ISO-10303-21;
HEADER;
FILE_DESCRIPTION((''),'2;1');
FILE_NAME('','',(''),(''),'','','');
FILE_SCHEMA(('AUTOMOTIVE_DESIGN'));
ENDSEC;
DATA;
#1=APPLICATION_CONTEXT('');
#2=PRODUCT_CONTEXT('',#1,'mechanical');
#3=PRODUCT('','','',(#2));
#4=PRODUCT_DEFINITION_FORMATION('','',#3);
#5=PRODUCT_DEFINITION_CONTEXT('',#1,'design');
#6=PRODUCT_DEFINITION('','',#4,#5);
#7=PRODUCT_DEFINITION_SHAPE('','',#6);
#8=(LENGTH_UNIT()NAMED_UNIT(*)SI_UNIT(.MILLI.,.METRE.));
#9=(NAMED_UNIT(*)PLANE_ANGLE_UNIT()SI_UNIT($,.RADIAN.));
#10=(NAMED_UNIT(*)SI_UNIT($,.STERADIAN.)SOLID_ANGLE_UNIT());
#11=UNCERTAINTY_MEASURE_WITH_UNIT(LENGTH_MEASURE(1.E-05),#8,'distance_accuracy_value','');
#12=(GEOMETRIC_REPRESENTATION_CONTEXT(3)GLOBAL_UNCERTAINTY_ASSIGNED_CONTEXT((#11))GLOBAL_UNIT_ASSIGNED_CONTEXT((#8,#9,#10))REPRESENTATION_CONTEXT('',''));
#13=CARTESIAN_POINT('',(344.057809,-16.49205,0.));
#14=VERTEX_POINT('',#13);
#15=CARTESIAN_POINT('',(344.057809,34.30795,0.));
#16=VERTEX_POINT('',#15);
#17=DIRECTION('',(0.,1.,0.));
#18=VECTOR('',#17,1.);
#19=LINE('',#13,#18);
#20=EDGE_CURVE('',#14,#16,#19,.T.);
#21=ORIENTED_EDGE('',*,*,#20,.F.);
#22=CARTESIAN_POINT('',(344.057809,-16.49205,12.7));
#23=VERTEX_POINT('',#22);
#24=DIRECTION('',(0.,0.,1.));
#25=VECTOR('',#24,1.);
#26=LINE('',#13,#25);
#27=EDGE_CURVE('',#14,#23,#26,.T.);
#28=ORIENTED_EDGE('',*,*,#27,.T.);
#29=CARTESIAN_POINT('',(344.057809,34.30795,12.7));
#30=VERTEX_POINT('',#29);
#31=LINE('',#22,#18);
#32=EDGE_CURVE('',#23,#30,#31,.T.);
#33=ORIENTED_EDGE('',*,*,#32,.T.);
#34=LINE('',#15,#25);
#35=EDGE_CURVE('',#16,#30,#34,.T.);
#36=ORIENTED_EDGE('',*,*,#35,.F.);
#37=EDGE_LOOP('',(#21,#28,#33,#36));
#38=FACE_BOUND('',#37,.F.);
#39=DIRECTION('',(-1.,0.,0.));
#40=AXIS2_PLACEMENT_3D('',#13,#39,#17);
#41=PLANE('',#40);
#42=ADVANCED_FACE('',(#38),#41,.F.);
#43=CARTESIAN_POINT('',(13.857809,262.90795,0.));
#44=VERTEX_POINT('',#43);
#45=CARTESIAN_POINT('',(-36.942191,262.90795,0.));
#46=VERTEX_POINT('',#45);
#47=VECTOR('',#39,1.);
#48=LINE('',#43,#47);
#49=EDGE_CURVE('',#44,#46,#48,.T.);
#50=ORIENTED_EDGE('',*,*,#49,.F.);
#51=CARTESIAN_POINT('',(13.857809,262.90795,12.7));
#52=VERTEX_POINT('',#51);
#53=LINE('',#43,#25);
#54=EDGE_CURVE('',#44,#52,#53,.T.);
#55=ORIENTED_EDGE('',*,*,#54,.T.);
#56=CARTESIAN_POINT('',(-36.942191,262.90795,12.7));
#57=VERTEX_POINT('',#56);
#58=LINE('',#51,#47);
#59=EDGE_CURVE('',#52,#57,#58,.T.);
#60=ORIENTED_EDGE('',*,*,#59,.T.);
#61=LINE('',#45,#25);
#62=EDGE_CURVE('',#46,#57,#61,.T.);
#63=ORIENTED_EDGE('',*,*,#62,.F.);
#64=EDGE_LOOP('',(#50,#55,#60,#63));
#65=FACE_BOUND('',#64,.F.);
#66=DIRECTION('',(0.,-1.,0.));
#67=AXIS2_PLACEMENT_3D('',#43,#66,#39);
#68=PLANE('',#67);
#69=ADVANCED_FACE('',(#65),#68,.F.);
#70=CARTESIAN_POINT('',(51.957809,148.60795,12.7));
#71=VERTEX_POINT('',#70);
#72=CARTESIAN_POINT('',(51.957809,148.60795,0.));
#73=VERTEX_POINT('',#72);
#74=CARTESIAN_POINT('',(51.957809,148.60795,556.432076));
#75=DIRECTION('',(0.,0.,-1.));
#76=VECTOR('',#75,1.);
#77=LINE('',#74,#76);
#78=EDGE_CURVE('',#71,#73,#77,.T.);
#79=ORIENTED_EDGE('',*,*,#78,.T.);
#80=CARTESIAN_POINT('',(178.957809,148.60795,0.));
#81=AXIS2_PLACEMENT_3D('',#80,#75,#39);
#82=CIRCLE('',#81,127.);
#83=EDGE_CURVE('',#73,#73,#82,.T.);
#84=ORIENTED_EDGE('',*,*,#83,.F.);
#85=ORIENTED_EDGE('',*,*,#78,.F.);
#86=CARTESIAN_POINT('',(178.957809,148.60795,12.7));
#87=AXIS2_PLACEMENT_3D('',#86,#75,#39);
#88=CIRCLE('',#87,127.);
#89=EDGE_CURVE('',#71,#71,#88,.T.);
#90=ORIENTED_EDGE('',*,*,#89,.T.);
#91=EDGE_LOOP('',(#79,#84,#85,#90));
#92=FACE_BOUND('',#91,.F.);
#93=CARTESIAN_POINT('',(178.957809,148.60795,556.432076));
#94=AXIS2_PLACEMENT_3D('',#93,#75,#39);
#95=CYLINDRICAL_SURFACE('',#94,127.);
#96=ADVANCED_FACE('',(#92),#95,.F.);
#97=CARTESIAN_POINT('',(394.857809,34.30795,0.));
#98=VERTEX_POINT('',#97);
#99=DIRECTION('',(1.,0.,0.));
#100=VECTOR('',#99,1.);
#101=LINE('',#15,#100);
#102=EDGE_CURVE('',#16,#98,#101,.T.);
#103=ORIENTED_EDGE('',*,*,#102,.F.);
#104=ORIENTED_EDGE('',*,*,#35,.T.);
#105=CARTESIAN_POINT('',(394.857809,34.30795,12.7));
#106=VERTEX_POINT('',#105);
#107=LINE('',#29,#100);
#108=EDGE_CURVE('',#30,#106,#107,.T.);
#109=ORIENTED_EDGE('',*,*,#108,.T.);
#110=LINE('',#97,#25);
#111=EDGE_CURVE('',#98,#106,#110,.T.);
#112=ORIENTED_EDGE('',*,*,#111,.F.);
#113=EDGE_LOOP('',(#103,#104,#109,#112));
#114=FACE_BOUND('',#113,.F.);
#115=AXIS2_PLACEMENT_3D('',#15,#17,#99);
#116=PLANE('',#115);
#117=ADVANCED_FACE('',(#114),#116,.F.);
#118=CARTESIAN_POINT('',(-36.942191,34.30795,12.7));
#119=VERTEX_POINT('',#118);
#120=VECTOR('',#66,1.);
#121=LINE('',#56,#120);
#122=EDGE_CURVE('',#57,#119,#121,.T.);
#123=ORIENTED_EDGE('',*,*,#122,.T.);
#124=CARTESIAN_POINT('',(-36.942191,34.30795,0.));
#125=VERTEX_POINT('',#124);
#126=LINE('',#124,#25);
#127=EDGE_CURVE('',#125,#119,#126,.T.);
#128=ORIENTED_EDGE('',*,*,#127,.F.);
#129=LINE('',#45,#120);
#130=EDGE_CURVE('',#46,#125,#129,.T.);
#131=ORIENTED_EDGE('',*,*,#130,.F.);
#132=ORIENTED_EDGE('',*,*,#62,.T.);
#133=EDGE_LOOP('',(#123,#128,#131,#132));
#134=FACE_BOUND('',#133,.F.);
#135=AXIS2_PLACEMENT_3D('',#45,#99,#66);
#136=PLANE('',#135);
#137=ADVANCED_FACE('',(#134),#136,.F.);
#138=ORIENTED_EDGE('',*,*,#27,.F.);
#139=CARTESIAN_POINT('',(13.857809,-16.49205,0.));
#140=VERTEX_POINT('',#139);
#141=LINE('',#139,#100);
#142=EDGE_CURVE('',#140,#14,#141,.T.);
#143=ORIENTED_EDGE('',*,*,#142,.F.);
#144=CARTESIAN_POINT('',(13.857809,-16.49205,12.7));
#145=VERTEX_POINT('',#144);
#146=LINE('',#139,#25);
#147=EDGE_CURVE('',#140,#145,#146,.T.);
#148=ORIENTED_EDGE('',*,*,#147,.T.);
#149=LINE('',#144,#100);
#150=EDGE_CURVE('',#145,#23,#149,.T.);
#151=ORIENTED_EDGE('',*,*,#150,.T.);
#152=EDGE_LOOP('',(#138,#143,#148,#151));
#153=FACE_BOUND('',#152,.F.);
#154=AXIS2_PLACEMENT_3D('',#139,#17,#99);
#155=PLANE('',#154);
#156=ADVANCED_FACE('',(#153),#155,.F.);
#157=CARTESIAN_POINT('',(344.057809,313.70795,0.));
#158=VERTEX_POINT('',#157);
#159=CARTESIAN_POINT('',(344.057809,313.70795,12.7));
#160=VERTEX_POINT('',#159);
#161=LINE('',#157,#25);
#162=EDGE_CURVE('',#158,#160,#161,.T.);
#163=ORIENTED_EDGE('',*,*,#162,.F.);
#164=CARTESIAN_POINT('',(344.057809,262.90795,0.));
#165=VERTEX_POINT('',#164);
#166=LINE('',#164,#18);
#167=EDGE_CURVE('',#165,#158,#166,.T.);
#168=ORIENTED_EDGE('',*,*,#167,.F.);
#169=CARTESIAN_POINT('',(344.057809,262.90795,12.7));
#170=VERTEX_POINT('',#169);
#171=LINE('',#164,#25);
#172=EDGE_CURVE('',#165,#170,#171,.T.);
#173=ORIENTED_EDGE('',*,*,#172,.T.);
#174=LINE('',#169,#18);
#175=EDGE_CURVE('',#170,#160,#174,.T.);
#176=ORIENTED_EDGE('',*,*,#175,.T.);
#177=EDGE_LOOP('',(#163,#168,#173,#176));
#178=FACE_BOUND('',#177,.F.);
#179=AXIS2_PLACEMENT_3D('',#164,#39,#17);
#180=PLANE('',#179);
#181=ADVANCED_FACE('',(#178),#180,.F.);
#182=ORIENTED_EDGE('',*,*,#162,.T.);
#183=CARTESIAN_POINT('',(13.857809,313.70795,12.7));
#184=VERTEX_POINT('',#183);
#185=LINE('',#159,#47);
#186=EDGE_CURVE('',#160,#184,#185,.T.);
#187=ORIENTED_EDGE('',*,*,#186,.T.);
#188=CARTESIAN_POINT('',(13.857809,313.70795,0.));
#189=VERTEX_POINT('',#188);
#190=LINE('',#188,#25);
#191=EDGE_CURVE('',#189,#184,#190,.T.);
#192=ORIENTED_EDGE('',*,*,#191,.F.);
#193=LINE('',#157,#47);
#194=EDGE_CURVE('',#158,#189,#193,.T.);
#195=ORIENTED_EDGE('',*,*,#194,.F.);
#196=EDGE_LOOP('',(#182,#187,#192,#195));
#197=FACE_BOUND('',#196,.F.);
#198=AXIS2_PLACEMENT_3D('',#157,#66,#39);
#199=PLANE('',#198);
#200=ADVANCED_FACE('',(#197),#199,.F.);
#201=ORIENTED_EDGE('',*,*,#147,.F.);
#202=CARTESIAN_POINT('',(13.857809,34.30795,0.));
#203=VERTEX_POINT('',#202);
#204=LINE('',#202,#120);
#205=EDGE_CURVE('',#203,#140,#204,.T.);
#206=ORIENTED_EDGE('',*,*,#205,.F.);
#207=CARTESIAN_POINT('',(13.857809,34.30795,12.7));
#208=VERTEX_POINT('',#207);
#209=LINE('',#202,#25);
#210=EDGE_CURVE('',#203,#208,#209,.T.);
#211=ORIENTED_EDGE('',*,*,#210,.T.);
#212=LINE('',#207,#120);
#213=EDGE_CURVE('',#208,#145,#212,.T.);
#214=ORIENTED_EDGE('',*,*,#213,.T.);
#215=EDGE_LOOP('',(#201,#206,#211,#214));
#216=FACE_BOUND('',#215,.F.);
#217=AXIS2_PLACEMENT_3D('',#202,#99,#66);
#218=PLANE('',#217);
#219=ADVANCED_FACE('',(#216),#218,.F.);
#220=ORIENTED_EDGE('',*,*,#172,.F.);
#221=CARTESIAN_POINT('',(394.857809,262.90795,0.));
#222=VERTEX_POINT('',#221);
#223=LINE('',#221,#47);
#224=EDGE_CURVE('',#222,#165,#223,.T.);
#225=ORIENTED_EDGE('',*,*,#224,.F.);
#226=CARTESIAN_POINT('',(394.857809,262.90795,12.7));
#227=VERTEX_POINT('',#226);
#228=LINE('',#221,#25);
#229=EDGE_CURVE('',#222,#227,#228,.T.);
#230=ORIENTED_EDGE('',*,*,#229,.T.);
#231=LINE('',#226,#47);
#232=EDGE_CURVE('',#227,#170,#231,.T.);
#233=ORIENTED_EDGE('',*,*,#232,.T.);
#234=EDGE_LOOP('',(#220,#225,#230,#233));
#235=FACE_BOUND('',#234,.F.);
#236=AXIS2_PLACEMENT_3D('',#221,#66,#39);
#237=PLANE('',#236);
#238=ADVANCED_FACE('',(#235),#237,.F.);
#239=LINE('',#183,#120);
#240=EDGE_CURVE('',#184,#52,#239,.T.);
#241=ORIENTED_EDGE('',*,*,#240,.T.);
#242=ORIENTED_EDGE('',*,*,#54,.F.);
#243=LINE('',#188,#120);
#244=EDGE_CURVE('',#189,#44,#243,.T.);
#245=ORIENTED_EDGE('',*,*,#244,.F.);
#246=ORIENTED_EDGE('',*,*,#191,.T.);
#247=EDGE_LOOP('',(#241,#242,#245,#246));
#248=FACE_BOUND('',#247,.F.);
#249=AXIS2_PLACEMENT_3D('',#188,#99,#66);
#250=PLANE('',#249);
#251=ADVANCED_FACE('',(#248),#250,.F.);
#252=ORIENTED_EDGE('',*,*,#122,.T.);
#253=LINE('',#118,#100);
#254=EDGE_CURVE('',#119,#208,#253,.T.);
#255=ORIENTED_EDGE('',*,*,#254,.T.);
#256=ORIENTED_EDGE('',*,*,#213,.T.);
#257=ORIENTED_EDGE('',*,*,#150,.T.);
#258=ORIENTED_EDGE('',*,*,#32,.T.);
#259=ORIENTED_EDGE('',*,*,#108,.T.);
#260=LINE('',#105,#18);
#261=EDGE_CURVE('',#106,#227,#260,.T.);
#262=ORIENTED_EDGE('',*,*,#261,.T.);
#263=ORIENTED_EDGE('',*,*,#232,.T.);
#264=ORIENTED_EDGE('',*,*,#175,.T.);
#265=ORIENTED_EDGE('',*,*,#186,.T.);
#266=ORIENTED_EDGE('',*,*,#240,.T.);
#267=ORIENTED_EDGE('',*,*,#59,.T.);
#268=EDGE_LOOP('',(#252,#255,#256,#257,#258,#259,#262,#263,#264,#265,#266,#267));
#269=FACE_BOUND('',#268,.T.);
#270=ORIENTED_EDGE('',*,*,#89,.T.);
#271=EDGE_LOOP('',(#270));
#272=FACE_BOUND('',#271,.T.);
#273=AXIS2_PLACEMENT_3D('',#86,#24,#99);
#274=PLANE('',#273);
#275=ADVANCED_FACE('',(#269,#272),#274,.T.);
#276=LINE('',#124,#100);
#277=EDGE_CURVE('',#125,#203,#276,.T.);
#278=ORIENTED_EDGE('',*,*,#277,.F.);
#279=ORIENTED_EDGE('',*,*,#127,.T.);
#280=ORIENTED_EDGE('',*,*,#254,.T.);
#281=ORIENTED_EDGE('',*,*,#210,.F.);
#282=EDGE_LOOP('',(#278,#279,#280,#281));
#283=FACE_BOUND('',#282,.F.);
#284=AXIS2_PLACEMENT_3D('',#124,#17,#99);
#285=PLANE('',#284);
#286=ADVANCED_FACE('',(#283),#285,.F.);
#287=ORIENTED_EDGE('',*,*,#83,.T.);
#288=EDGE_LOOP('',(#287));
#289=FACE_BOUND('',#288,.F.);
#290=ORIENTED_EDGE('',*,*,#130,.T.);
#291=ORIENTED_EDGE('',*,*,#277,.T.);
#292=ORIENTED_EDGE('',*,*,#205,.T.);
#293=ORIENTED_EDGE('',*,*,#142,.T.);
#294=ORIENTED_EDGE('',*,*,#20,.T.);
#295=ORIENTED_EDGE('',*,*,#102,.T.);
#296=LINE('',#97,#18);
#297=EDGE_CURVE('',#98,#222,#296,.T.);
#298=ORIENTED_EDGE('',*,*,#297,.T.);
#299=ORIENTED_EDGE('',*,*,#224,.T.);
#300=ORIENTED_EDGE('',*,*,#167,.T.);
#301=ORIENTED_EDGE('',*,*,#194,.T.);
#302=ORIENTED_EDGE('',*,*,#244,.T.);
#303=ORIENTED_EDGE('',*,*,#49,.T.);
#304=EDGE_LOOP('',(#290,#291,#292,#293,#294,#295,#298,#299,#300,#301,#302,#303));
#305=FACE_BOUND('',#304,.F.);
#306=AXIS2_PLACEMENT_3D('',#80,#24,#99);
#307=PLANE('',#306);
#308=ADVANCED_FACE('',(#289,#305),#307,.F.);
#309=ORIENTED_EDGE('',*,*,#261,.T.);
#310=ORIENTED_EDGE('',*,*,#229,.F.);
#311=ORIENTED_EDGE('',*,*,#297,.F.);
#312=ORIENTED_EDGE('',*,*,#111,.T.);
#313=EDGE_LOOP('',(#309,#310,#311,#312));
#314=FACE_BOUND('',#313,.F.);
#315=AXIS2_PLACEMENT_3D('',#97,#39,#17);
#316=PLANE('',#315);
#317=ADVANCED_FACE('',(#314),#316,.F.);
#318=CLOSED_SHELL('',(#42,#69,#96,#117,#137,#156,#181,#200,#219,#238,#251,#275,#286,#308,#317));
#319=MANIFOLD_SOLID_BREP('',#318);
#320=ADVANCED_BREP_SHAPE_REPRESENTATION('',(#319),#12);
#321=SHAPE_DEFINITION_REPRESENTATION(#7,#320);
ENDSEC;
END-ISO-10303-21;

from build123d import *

# Parameters (mm, degrees)
F1_DEPTH = 12.7
F3_D     = 254


with BuildPart() as f1:
    # F0 (on Top) → F1 (new body)
    with BuildSketch(Plane.XY):
        Polygon((344.057809, 313.70795), (13.857809, 313.70795), (13.857809, 262.90795), (-36.942191, 262.90795), (-36.942191, 34.30795), (13.857809, 34.30795), (13.857809, -16.49205), (344.057809, -16.49205), (344.057809, 34.30795), (394.857809, 34.30795), (394.857809, 262.90795), (344.057809, 262.90795), align=None)
    extrude(amount=F1_DEPTH)

    # F3 (through all)
    with Locations(Plane.XY.offset(12.7)):
        with Locations((178.957809, 148.60795)):
            Hole(F3_D / 2)


solid = f1.part
